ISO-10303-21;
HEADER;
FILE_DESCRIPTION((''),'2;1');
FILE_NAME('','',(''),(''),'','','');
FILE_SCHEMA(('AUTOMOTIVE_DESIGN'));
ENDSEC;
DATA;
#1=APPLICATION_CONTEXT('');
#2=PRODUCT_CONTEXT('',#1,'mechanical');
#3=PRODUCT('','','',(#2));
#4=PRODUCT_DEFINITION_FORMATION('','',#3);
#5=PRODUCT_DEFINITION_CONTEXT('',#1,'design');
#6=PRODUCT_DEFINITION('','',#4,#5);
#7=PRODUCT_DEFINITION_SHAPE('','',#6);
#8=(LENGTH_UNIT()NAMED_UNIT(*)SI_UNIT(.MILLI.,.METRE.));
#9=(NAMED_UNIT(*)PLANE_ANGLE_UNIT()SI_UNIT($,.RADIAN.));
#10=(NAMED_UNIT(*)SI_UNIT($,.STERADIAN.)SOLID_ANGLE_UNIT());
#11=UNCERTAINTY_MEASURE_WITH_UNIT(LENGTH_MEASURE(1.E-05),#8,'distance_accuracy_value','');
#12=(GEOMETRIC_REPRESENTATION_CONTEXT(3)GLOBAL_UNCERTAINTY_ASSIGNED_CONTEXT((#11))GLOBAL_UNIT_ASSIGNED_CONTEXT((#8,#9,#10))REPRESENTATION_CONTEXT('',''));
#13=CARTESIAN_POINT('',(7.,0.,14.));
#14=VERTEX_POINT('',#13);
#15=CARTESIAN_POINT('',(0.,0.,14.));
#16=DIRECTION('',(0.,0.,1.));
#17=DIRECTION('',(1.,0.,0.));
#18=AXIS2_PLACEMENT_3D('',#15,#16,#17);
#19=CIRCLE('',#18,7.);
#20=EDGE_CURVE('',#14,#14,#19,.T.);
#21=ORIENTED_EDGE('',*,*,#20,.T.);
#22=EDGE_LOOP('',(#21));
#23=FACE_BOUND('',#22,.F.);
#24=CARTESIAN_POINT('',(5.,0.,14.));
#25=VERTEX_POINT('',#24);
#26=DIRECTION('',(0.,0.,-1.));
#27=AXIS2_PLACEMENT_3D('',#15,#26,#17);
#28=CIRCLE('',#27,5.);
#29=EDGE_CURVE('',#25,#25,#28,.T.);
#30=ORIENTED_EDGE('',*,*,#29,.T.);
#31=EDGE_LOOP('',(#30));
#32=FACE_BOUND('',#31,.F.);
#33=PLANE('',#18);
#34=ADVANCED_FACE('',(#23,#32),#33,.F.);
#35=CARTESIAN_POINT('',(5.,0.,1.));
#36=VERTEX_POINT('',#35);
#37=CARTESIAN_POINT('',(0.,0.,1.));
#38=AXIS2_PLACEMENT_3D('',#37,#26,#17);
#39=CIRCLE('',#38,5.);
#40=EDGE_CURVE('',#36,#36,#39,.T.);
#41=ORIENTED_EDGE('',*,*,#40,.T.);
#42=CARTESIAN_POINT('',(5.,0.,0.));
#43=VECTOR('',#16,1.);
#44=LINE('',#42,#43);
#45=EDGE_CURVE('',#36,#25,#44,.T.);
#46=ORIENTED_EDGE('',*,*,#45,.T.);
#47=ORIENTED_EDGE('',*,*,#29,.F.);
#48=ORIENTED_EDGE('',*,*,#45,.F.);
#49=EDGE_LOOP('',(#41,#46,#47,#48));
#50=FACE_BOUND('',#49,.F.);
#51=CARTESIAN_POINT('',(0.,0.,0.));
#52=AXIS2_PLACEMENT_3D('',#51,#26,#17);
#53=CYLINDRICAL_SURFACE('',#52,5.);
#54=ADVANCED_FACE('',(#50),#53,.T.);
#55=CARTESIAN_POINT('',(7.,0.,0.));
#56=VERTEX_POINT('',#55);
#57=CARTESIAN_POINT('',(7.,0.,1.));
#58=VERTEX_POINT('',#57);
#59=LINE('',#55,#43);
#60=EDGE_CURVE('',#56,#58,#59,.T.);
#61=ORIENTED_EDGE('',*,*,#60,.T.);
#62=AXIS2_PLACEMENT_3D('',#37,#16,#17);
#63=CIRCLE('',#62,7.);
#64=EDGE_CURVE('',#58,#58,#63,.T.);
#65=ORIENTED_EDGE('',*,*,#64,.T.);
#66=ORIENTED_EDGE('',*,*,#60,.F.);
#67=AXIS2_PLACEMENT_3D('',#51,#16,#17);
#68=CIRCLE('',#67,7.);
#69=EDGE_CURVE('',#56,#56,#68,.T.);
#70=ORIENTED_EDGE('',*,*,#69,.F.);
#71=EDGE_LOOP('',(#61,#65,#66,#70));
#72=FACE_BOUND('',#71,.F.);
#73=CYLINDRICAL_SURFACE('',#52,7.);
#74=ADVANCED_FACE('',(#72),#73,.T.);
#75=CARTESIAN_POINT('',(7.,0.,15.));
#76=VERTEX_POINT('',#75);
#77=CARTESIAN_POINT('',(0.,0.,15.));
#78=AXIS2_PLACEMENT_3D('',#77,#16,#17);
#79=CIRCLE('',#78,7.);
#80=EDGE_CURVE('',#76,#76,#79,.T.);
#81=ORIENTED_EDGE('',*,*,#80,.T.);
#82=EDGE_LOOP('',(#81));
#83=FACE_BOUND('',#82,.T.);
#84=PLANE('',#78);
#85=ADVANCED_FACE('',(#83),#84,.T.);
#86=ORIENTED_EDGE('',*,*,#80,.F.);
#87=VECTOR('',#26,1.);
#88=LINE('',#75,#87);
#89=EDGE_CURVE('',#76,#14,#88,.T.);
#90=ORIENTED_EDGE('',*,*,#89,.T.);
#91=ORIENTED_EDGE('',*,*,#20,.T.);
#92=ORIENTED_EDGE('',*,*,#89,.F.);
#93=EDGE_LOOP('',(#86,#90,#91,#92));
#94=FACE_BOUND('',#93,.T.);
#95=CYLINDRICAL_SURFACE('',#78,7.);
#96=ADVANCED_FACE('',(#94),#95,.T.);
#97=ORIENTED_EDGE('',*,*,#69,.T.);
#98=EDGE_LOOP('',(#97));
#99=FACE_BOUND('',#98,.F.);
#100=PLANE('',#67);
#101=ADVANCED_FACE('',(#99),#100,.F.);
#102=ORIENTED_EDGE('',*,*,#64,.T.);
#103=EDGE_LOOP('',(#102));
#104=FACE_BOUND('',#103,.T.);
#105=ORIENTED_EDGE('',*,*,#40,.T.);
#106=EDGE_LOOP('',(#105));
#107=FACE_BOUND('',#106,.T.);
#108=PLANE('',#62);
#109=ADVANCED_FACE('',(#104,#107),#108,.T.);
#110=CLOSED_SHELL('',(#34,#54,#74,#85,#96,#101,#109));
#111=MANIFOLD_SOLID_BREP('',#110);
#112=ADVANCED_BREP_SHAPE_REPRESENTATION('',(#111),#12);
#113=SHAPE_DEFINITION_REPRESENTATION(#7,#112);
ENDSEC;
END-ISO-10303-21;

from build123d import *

# Parameters (mm, degrees)
F0_R     = 5
F1_DEPTH = 15
F2_R     = 7
F2_R_2   = 2.75
F3_DEPTH = 1
F4_R     = 7
F5_DEPTH = 1


with BuildPart() as f1:
    # F0 (on Top) → F1 (new body)
    with BuildSketch(Plane.XY):
        Circle(F0_R)
    extrude(amount=F1_DEPTH)

    # F2 (on Top) → F3 (join)
    with BuildSketch(Plane.XY):
        Circle(F2_R)
        Circle(F2_R_2, mode=Mode.SUBTRACT)
    extrude(amount=F3_DEPTH)

    # F4 (on face) → F5 (join)
    with BuildSketch(Plane.XY.offset(15)):
        Circle(F4_R)
    extrude(amount=-F5_DEPTH)


solid = f1.part
